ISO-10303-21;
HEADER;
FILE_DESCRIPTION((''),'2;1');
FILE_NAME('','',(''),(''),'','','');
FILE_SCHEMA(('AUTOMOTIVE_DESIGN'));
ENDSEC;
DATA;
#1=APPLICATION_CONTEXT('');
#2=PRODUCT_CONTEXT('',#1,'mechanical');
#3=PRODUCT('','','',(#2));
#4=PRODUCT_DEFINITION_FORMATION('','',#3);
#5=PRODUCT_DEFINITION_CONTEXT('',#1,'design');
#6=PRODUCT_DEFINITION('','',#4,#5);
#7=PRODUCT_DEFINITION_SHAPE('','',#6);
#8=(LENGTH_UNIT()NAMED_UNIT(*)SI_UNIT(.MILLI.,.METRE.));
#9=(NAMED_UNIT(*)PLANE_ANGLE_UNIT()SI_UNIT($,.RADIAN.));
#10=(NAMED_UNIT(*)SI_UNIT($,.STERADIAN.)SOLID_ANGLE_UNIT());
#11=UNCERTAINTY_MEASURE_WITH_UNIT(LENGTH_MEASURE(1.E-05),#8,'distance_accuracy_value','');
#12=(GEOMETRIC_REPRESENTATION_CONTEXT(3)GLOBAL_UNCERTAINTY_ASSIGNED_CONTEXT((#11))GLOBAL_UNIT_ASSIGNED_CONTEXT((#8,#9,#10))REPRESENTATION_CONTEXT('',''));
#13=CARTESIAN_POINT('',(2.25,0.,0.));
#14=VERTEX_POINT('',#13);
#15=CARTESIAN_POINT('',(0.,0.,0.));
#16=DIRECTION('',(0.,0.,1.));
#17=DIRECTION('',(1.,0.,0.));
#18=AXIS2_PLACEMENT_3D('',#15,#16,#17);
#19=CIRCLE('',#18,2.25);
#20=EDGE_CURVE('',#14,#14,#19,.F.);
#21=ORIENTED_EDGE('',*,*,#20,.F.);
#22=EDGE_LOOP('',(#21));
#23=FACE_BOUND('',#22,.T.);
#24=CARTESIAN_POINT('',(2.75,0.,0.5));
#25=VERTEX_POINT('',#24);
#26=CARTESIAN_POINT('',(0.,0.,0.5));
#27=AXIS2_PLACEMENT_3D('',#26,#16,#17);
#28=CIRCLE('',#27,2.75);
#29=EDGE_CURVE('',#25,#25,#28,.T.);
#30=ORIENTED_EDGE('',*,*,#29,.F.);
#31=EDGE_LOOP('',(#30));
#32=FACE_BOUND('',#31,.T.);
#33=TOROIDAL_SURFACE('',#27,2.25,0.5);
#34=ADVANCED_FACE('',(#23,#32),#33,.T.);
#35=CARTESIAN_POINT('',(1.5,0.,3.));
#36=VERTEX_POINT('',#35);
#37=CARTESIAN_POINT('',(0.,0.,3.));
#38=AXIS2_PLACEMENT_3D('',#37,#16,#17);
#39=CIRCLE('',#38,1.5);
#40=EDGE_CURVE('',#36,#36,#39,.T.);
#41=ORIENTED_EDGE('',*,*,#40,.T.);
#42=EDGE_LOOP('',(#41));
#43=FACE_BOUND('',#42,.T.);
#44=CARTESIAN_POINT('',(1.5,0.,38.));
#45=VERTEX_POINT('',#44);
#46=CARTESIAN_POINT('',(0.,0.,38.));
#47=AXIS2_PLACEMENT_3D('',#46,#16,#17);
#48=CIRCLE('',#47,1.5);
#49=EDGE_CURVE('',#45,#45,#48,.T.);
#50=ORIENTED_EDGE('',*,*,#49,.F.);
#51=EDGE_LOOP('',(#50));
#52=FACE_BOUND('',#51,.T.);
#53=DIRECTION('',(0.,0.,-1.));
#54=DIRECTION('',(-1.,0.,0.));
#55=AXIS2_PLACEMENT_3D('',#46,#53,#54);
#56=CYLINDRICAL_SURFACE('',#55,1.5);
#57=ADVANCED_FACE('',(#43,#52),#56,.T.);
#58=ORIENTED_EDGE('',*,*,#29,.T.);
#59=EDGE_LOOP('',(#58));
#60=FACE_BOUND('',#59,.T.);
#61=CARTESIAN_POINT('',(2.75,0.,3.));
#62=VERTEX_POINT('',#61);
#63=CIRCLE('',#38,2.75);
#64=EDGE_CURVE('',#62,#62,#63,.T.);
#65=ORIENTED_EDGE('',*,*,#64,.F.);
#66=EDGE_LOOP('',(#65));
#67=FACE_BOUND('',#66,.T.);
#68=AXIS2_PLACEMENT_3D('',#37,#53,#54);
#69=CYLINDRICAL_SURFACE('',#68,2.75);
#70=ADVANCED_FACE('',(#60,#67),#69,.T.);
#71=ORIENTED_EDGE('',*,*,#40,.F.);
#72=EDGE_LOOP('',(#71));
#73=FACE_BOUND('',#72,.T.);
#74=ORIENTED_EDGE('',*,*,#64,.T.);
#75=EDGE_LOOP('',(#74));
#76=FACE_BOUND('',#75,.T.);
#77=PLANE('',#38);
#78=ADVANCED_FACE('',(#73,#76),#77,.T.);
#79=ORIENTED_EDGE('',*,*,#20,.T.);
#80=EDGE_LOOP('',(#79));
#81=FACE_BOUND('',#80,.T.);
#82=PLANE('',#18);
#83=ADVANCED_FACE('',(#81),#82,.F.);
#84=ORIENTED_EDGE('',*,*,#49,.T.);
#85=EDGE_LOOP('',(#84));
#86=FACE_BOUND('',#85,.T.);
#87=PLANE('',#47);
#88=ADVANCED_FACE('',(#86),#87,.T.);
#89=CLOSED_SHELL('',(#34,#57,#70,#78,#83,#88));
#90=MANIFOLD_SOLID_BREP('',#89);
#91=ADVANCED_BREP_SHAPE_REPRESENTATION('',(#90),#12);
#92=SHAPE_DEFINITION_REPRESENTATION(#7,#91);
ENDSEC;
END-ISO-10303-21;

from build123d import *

# Parameters (mm, degrees)
SKETCH_2_R      = 2.75
EXTRUDE_1_DEPTH = 3
SKETCH_3_R      = 1.5
EXTRUDE_2_DEPTH = 35
FILLET_1_R      = 0.5


with BuildPart() as part:
    # ｽｹｯﾁ2 → ﾎﾞｽ - 押し出し1 (new body)
    with BuildSketch(Plane.XY):
        Circle(SKETCH_2_R)
    extrude(amount=EXTRUDE_1_DEPTH)

    # ｽｹｯﾁ3 → ﾎﾞｽ - 押し出し2 (add)
    with BuildSketch(Plane.XY.offset(3)):
        Circle(SKETCH_3_R)
    extrude(amount=EXTRUDE_2_DEPTH)

    # ﾌｨﾚｯﾄ1
    fillet_1_edges = [part.edges().sort_by_distance(p)[0] for p in [
        (-2.75, 0, 0),
    ]]
    fillet(fillet_1_edges, radius=FILLET_1_R)


solid = part.part
